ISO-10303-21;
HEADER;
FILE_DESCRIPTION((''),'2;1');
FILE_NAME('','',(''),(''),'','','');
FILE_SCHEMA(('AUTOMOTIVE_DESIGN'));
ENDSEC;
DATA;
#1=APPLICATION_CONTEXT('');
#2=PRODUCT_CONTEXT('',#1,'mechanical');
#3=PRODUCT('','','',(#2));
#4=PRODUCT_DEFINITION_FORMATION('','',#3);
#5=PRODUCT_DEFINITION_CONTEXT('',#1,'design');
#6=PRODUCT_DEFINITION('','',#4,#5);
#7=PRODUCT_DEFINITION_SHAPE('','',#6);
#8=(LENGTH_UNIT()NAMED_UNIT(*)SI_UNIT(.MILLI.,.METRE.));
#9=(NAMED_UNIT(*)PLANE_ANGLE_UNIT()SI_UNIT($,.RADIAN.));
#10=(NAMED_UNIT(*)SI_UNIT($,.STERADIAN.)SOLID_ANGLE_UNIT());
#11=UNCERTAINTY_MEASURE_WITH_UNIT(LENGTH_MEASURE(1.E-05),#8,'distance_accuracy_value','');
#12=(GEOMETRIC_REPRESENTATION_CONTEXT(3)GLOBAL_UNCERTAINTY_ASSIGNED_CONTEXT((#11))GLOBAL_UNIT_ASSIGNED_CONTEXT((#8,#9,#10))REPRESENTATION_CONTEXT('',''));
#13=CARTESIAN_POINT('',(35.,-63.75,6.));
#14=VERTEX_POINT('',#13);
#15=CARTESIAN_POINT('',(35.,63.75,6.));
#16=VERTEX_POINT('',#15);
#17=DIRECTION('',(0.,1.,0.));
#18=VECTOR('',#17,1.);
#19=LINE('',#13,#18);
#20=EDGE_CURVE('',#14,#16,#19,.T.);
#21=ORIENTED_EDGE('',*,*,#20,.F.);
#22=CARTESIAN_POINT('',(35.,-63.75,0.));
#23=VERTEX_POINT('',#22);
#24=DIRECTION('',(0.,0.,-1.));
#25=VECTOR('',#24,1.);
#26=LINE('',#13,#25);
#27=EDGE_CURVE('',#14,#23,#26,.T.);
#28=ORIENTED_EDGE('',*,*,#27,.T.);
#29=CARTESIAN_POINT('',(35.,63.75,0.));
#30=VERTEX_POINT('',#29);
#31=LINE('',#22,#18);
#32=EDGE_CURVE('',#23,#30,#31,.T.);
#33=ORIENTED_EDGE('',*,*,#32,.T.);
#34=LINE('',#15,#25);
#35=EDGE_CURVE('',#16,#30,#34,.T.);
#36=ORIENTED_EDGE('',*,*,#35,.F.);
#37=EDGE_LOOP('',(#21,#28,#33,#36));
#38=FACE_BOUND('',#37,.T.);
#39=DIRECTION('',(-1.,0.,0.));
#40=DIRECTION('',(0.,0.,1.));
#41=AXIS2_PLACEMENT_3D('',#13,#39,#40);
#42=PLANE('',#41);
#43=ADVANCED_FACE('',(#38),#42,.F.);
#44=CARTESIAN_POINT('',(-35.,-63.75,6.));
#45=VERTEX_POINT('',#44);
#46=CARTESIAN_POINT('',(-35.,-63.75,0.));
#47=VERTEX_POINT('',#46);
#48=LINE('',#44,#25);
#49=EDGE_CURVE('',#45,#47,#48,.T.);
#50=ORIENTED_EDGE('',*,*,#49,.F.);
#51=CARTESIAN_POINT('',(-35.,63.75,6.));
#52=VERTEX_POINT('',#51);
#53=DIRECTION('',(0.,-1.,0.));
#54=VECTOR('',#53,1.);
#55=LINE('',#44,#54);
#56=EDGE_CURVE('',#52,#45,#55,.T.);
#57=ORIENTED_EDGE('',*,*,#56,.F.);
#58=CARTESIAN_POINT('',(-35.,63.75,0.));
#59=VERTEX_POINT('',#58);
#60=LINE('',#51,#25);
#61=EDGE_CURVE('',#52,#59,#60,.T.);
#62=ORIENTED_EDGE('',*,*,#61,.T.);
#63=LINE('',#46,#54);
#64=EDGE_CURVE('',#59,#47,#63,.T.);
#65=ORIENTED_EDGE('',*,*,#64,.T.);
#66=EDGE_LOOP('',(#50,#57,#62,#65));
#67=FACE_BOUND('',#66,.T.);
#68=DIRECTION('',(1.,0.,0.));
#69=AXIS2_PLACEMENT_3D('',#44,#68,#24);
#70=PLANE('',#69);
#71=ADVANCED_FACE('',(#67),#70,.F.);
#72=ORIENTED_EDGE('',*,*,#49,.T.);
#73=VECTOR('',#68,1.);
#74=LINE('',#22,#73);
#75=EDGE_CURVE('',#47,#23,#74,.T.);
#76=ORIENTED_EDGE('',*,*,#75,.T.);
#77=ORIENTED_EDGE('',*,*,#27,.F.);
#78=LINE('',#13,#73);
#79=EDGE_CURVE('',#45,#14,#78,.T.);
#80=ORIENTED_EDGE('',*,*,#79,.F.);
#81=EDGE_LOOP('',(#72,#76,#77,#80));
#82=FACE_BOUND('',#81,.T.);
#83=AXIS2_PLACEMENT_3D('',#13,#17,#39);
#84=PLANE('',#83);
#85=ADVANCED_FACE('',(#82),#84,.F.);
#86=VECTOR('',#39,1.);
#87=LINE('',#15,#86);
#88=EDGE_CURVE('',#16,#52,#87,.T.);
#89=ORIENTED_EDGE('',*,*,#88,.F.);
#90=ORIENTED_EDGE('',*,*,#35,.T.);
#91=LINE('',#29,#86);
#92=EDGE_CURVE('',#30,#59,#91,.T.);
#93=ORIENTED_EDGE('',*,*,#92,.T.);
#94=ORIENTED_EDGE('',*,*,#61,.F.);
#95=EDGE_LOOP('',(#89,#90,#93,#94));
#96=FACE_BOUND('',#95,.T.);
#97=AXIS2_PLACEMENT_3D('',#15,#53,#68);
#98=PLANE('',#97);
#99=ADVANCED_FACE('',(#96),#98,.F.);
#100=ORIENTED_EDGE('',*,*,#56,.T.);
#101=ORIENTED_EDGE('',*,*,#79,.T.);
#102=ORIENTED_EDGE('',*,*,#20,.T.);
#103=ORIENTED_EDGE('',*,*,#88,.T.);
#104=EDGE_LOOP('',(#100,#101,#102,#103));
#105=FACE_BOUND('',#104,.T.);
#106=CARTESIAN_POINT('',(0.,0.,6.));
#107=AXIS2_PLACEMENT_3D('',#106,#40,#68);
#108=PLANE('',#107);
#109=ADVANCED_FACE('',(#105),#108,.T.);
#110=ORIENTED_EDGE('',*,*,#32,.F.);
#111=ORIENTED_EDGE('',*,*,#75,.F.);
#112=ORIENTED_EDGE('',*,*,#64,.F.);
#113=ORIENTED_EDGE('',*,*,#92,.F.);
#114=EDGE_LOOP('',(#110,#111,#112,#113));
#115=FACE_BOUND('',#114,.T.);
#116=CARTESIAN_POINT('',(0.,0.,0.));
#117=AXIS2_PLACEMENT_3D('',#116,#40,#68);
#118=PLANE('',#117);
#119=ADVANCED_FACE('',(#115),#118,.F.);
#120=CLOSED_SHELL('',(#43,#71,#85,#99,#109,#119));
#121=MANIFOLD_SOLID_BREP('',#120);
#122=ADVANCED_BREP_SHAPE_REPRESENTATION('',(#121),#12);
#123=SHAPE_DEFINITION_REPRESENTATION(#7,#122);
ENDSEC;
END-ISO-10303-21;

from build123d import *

# Parameters (mm, degrees)
SKETCH2_W           = 70
SKETCH2_H           = 127.5
BOSS_EXTRUDE1_DEPTH = 6


with BuildPart() as part:
    # Sketch2 → Boss-Extrude1 (new body)
    with BuildSketch(Plane.XY):
        Rectangle(SKETCH2_W, SKETCH2_H)
    extrude(amount=BOSS_EXTRUDE1_DEPTH)


solid = part.part
